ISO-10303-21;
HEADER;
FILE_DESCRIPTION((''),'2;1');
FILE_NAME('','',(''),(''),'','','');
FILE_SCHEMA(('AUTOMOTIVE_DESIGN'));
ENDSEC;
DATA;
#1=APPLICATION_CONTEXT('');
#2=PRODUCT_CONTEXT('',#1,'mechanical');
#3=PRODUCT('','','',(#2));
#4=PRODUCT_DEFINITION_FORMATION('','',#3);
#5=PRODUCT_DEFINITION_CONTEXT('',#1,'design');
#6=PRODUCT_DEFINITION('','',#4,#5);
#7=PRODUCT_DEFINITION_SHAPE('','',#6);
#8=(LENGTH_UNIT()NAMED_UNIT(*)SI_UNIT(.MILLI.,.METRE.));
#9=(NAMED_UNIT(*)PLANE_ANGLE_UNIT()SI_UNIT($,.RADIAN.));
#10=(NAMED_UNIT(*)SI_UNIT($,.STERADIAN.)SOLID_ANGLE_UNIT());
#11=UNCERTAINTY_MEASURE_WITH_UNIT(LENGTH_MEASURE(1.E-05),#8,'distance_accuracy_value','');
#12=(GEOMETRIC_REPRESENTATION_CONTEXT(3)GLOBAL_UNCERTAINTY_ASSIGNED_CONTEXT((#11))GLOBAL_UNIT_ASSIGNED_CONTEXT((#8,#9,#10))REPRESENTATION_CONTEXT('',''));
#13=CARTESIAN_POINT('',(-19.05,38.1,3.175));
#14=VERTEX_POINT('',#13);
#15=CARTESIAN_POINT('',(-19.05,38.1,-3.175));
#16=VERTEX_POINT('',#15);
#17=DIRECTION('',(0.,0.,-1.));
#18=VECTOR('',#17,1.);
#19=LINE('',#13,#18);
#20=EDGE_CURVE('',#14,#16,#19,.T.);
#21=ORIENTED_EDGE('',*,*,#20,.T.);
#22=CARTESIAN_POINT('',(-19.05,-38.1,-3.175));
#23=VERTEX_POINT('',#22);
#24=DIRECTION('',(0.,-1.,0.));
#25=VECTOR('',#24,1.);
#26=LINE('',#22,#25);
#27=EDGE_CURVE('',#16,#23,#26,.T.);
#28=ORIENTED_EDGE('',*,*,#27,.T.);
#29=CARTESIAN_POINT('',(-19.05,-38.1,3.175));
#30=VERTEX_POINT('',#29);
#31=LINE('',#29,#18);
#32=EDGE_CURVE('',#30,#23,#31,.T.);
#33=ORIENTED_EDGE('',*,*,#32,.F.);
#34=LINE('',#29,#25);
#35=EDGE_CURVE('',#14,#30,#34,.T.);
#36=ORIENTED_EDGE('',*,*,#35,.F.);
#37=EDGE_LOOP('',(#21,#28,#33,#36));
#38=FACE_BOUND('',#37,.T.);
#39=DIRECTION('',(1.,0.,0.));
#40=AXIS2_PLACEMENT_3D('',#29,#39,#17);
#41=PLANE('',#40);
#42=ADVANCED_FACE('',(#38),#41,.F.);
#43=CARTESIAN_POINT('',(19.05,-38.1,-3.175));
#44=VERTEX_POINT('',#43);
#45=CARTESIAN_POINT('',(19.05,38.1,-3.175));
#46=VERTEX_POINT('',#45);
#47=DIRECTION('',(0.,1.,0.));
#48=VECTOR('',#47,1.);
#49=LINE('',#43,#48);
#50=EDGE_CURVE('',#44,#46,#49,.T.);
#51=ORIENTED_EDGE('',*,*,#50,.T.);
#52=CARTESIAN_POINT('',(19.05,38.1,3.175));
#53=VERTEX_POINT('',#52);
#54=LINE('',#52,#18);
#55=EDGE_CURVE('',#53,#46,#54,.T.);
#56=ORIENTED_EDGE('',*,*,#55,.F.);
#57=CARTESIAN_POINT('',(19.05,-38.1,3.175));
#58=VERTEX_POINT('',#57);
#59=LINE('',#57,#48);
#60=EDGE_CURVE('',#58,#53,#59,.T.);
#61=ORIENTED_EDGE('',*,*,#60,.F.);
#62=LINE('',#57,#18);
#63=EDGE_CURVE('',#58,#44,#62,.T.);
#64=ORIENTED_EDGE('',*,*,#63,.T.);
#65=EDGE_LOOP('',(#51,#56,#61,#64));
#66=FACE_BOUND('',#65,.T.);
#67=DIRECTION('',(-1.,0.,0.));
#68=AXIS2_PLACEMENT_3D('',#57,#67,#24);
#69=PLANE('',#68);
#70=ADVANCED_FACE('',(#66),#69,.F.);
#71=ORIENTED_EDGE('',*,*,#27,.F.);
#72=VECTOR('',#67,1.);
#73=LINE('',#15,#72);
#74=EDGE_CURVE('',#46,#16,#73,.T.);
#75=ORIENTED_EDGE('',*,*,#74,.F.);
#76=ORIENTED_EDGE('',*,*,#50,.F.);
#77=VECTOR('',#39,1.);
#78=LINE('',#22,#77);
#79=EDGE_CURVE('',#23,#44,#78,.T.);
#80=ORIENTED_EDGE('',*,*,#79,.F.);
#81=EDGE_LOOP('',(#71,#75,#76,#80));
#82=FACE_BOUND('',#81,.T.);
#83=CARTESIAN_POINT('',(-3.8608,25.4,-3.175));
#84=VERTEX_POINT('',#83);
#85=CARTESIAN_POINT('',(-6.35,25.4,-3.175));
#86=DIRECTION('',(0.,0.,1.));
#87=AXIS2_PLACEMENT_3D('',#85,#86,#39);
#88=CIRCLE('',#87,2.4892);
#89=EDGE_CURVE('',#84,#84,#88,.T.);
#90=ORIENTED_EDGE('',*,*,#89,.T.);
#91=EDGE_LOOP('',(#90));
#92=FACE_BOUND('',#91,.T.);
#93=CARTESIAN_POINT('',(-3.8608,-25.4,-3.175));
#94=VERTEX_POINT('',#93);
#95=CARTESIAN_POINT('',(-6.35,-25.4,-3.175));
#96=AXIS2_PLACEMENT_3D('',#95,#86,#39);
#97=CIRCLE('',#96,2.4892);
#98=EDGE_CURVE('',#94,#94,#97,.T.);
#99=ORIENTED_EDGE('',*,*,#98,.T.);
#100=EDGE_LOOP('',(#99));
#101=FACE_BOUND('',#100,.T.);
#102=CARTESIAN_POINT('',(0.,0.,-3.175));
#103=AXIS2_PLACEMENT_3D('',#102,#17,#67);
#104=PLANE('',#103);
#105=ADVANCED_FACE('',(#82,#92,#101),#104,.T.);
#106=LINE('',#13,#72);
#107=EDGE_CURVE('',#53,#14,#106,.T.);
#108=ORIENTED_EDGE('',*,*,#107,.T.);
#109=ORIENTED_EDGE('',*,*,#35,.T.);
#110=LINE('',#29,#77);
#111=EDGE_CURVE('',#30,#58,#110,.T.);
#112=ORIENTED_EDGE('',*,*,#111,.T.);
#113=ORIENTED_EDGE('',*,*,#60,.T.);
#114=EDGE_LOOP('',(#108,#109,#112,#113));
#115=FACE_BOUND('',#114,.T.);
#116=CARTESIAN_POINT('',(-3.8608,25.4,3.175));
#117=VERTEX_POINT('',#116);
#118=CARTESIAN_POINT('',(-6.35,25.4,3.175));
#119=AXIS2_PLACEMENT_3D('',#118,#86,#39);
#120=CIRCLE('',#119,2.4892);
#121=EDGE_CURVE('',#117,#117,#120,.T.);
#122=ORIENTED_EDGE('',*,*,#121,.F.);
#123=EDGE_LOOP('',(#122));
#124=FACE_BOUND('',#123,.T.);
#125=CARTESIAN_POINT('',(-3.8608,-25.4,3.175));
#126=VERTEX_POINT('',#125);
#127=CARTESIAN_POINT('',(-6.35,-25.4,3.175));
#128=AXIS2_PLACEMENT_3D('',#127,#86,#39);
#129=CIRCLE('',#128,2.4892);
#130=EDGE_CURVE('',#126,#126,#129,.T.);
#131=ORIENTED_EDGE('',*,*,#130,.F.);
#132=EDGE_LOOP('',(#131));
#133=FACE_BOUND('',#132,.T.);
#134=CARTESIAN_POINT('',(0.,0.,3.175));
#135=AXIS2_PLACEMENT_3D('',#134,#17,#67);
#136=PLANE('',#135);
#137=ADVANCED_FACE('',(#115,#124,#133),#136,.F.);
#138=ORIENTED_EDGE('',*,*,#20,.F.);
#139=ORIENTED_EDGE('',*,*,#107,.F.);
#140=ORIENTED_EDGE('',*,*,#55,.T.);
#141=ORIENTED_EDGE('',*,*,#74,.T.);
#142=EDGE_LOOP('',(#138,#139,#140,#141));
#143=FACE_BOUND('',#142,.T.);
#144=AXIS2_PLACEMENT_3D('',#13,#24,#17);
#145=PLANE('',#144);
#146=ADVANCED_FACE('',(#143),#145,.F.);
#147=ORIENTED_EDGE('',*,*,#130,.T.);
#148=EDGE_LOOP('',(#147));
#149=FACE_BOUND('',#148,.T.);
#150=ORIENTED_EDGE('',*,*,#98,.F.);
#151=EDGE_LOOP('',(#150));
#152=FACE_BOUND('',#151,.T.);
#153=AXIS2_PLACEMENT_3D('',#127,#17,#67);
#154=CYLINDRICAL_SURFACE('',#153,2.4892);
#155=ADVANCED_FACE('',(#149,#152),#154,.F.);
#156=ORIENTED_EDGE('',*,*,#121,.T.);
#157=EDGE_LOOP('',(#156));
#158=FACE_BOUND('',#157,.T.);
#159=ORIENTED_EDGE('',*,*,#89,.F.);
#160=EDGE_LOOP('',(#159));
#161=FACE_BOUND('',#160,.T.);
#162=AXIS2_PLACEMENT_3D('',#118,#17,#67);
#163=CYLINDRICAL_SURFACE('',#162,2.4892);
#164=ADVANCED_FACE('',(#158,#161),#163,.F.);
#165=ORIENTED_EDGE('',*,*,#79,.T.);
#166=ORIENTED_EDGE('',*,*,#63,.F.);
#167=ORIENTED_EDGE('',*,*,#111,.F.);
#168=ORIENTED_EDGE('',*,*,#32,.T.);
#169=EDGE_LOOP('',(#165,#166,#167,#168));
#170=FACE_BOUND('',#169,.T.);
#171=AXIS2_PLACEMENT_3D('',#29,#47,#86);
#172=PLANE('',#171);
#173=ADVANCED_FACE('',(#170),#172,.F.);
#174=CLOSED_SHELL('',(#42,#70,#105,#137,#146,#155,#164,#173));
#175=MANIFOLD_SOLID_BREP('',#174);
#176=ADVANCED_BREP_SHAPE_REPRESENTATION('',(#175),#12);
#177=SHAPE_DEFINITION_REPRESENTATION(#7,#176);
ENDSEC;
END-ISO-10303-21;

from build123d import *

# Parameters (mm, degrees)
SKETCH2_W           = 38.1
SKETCH2_H           = 76.2
SKETCH2_R           = 2.4892
BOSS_EXTRUDE1_DEPTH = 3.175


with BuildPart() as part:
    # Sketch2 → Boss-Extrude1 (new, symmetric)
    with BuildSketch(Plane.XY):
        Rectangle(SKETCH2_W, SKETCH2_H)
        with Locations((-6.35, 25.4)):
            Circle(SKETCH2_R, mode=Mode.SUBTRACT)
        with Locations((-6.35, -25.4)):
            Circle(SKETCH2_R, mode=Mode.SUBTRACT)
    extrude(amount=BOSS_EXTRUDE1_DEPTH, both=True)


solid = part.part
